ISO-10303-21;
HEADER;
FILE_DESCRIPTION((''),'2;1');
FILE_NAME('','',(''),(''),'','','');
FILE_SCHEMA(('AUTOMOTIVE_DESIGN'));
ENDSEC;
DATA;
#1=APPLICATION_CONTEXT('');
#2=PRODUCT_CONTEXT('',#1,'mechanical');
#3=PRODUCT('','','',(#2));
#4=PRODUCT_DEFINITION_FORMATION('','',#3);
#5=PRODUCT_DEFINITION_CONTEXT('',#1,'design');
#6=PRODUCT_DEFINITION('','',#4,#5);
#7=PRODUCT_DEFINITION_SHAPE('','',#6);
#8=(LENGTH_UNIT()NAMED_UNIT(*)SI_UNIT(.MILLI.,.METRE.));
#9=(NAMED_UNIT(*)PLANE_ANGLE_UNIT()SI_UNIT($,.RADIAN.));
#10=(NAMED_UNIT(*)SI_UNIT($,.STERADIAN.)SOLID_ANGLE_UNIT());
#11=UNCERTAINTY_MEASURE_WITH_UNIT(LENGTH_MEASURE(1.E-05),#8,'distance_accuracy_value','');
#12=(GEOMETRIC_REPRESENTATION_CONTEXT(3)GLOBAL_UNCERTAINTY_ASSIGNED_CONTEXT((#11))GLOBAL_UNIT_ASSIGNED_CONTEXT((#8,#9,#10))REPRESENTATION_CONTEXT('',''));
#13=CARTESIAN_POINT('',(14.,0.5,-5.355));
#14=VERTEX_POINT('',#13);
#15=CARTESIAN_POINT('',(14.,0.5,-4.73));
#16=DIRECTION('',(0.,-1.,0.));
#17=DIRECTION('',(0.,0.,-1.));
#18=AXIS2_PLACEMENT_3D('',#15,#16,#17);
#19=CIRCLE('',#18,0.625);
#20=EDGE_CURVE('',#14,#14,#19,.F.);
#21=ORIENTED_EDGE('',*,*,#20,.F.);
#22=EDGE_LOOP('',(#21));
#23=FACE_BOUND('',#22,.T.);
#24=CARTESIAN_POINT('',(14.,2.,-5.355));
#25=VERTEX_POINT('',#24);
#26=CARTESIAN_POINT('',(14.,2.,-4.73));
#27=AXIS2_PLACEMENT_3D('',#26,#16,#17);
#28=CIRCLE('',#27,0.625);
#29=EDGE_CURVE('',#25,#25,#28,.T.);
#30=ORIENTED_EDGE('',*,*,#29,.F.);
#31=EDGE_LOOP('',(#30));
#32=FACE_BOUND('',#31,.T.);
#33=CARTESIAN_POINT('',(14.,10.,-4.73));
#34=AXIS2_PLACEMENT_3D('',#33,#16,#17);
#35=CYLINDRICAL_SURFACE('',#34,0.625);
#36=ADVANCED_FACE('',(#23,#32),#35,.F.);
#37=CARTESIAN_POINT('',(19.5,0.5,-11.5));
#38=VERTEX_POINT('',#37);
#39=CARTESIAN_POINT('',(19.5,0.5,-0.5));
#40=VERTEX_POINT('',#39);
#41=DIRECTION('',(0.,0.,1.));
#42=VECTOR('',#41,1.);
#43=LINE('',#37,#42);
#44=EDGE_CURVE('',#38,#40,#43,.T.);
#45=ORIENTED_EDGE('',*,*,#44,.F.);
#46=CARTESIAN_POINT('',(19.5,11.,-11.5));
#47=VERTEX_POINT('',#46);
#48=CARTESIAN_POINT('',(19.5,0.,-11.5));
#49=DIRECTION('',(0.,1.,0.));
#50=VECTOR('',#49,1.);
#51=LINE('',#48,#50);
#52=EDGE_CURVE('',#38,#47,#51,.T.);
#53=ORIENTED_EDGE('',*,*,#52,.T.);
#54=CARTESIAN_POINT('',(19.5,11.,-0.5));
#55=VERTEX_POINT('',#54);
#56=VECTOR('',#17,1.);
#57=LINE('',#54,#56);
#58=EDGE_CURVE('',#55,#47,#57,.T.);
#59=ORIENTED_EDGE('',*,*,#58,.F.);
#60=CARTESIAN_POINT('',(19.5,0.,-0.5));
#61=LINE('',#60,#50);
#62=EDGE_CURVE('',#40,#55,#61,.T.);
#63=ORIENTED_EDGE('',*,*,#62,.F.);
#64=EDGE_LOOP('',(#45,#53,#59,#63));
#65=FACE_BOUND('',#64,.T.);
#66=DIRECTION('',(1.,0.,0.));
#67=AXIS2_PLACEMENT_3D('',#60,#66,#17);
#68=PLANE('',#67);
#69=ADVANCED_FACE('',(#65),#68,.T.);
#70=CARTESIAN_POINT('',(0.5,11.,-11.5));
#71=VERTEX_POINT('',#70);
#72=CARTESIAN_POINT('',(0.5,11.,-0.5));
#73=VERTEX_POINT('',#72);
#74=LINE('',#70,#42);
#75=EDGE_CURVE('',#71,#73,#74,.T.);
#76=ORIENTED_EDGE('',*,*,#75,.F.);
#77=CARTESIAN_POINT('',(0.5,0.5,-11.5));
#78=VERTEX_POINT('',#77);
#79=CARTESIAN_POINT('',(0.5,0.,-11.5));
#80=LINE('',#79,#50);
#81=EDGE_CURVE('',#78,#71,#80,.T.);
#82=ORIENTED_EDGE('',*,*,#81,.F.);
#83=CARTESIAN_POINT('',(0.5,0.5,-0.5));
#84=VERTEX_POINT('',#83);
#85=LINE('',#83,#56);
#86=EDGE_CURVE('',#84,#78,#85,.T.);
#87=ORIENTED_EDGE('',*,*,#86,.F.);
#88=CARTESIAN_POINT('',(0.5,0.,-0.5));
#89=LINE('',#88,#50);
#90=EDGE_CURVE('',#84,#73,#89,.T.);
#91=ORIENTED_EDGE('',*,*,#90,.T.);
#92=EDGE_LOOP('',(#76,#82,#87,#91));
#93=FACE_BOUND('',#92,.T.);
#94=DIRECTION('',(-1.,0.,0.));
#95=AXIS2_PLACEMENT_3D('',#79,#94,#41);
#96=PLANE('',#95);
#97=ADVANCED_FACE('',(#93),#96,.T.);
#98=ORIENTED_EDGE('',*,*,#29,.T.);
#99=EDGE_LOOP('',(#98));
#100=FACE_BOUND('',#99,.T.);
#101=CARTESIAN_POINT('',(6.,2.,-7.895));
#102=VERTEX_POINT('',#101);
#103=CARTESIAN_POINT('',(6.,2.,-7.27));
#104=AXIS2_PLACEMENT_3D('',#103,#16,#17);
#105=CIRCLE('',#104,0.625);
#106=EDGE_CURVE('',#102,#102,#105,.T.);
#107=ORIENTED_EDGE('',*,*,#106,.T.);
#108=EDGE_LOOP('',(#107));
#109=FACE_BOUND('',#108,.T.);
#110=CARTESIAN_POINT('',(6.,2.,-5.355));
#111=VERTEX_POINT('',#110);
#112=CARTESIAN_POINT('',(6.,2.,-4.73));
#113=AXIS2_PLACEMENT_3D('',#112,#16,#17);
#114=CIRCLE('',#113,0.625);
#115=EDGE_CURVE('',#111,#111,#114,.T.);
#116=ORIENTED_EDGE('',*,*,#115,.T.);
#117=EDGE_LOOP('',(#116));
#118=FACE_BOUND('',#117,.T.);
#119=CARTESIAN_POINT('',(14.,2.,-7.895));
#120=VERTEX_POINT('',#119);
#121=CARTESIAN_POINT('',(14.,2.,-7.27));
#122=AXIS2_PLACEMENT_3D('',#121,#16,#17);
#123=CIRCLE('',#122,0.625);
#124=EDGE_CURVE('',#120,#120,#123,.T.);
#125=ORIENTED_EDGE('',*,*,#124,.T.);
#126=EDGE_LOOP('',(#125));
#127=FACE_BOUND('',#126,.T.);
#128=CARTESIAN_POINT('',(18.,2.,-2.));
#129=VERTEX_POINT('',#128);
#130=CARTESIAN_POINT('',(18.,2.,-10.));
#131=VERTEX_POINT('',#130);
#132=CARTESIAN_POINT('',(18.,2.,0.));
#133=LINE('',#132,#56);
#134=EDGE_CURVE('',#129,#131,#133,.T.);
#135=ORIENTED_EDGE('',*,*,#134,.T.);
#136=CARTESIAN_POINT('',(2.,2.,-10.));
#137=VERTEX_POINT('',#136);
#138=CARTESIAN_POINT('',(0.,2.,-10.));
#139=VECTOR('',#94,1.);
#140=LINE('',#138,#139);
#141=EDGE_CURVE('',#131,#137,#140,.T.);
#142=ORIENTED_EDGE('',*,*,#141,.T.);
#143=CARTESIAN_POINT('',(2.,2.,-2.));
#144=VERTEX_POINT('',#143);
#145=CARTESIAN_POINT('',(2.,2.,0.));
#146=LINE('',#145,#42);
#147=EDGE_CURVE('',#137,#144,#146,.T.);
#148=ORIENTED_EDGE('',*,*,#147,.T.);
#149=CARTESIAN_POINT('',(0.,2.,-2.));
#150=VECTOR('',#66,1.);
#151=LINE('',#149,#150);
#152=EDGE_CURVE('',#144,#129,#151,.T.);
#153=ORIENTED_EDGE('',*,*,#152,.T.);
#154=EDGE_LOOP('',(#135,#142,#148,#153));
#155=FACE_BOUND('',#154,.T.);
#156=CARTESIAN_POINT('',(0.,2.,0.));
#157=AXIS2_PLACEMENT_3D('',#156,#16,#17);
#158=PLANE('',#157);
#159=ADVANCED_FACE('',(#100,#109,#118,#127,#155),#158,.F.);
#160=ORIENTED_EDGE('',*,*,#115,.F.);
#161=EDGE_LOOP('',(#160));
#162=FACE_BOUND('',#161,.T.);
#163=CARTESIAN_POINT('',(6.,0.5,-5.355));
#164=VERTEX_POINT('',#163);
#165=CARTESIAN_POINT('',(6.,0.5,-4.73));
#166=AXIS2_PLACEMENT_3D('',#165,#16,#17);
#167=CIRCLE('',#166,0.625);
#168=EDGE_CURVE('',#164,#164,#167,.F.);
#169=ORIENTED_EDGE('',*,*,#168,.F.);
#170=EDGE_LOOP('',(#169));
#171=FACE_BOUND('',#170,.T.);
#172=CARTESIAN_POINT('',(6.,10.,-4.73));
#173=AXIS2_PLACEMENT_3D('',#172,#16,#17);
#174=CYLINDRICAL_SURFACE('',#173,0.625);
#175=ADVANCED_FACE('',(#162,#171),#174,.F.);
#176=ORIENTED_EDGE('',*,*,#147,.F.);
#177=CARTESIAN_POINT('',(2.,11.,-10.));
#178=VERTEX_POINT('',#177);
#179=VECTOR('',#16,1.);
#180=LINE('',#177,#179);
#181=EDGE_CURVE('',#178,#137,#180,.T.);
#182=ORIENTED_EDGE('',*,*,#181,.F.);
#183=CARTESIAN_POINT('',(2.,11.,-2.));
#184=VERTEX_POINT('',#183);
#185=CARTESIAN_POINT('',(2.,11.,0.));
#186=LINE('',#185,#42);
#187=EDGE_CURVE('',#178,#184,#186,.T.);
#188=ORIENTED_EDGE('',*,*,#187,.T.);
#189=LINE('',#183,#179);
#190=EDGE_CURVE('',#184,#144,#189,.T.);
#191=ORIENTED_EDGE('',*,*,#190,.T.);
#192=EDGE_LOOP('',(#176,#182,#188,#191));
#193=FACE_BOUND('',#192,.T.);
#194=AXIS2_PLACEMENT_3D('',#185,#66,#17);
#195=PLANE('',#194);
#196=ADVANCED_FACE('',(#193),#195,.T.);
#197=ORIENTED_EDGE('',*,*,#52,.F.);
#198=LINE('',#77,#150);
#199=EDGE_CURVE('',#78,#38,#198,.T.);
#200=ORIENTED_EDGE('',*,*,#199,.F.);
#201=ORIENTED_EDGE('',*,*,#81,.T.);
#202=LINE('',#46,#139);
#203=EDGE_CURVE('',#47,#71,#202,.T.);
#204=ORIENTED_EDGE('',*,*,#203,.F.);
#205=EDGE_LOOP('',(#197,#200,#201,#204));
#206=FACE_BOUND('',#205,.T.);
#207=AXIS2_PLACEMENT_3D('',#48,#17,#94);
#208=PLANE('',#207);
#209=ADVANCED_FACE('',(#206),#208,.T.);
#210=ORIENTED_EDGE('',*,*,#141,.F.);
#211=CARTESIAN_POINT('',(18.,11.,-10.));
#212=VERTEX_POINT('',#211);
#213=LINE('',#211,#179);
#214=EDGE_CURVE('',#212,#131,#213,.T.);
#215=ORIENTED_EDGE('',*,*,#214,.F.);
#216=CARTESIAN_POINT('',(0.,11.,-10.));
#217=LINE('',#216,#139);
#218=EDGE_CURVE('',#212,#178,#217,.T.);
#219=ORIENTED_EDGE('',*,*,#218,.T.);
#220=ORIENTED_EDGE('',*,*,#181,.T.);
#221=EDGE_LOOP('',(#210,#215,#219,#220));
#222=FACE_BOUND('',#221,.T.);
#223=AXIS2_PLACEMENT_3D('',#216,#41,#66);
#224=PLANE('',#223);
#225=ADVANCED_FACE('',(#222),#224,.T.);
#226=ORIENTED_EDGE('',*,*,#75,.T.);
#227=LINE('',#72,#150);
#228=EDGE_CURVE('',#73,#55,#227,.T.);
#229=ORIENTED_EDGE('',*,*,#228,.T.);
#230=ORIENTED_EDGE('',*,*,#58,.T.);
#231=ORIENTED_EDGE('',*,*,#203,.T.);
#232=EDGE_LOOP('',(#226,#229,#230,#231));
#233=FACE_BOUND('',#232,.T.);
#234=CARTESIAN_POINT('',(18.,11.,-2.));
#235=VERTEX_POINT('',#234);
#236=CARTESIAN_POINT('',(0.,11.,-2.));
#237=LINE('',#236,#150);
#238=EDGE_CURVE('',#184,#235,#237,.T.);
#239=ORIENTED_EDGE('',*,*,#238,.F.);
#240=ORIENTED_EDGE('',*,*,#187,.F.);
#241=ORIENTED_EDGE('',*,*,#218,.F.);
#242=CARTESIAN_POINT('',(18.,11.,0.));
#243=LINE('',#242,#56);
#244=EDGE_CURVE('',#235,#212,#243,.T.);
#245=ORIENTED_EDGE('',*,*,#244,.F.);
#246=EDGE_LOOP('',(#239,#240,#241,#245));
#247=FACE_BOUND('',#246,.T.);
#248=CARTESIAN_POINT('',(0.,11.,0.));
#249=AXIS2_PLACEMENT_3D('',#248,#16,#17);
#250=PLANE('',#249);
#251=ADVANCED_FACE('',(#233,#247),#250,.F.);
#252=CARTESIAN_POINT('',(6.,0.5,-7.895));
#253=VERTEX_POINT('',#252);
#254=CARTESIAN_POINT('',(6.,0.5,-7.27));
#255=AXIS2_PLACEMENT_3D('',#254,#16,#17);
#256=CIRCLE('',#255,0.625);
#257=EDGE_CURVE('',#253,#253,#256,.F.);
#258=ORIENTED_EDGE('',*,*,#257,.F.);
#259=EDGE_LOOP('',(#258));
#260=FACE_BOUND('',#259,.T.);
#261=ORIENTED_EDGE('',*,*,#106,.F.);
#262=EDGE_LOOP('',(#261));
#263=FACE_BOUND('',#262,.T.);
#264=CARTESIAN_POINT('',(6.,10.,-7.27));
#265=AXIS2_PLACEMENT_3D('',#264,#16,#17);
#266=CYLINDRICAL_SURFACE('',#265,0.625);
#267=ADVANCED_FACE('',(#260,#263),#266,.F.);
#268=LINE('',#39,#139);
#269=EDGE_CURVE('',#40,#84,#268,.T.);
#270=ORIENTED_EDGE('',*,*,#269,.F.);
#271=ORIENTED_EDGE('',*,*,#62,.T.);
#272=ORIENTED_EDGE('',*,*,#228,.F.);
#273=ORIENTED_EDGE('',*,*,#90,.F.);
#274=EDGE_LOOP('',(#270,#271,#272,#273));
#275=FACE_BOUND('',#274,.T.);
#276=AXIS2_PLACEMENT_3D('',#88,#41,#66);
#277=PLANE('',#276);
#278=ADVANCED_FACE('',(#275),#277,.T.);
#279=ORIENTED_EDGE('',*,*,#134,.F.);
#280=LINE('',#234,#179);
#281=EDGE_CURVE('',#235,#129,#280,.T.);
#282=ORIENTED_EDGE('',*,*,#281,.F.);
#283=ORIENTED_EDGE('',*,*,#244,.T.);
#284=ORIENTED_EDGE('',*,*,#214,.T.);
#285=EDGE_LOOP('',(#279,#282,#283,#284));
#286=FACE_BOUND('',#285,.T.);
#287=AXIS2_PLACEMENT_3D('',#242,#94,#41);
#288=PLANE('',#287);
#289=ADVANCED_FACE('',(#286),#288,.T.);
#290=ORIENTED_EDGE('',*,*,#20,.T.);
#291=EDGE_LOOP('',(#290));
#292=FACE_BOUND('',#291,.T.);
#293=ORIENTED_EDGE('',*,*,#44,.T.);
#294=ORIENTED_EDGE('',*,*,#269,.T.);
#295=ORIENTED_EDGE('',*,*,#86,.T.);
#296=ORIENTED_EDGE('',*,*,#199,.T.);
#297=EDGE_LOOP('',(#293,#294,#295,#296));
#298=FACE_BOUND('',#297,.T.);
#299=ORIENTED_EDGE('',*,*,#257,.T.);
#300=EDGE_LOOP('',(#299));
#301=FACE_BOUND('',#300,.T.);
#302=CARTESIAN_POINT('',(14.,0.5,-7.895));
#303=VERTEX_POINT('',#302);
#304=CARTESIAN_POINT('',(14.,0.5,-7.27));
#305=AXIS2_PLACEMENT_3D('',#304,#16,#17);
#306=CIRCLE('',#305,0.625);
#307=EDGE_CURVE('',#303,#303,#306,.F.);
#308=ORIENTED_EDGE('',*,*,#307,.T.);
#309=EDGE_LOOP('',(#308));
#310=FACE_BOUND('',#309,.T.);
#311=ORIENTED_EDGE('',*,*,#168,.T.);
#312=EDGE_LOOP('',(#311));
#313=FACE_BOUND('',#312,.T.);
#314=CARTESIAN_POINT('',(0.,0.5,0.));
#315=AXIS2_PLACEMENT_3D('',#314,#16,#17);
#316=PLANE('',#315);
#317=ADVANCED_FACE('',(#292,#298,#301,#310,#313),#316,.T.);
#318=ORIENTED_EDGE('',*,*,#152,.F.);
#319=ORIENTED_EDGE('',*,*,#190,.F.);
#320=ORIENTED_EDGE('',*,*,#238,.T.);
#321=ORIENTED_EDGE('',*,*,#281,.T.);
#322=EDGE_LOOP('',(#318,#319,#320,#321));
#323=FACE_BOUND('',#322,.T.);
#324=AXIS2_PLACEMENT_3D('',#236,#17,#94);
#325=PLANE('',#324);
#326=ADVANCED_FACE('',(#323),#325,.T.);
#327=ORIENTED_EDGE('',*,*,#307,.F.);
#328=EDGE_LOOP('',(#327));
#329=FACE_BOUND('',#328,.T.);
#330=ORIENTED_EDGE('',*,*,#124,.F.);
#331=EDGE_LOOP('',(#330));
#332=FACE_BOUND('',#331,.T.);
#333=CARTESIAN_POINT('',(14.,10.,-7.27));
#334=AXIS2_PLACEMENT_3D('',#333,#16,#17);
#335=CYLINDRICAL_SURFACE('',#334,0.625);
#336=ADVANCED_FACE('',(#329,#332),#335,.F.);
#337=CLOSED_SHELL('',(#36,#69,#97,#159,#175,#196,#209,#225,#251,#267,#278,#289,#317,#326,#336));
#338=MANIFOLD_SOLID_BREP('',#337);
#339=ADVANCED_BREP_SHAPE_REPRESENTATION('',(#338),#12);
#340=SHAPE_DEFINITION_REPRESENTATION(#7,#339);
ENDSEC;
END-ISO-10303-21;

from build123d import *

# Parameters (mm, degrees)
SKETCH1_W           = 20
SKETCH1_H           = 12
BOSS_EXTRUDE1_DEPTH = 11
SHELL1_T            = -2
SKETCH3_R           = 0.625
CUT_EXTRUDE1_DEPTH  = 10
LPATTERN1_COUNT     = 2
LPATTERN1_PITCH     = 8
SKETCH5_W           = 20
SKETCH5_H           = 12
SKETCH5_W_2         = 19
SKETCH5_H_2         = 11
CUT_EXTRUDE2_DEPTH  = 12
SKETCH6_W           = 19
SKETCH6_H           = 11
CUT_EXTRUDE3_DEPTH  = 0.5


with BuildPart() as part:
    # Sketch1 → Boss-Extrude1 (new body)
    with BuildSketch(Plane(origin=(0, 0, 0), x_dir=(1, 0, 0), z_dir=(0, 1, 0))):
        with Locations((10, 6)):
            Rectangle(SKETCH1_W, SKETCH1_H)
    extrude(amount=BOSS_EXTRUDE1_DEPTH)

    # Shell1
    shell1_openings = [part.faces().sort_by_distance(p)[0] for p in [
        (10, 11, -6),
    ]]
    offset(amount=SHELL1_T, openings=shell1_openings, kind=Kind.INTERSECTION)

    # Sketch3 → Cut-Extrude1 (cut)
    with BuildSketch(Plane.XZ):
        with Locations((6, -4.73)):
            Circle(SKETCH3_R)
        with Locations((6, -7.27)):
            Circle(SKETCH3_R)
    cut_extrude1 = extrude(amount=-CUT_EXTRUDE1_DEPTH, mode=Mode.SUBTRACT)

    # LPattern1: Cut-Extrude1 ×2
    with Locations(*[(i * LPATTERN1_PITCH, 0, 0) for i in range(1, LPATTERN1_COUNT)]):
        add(cut_extrude1, mode=Mode.SUBTRACT)

    # Sketch5 → Cut-Extrude2 (cut, through all)
    with BuildSketch(Plane(origin=(0, 11, 0), x_dir=(1, 0, 0), z_dir=(0, 1, 0))):
        with Locations((10, 6)):
            Rectangle(SKETCH5_W, SKETCH5_H)
        with Locations((10, 6)):
            Rectangle(SKETCH5_W_2, SKETCH5_H_2, mode=Mode.SUBTRACT)
    extrude(amount=-CUT_EXTRUDE2_DEPTH, mode=Mode.SUBTRACT)

    # Sketch6 → Cut-Extrude3 (cut)
    with BuildSketch(Plane.XZ):
        with Locations((10, -6)):
            Rectangle(SKETCH6_W, SKETCH6_H)
    extrude(amount=-CUT_EXTRUDE3_DEPTH, mode=Mode.SUBTRACT)


solid = part.part
